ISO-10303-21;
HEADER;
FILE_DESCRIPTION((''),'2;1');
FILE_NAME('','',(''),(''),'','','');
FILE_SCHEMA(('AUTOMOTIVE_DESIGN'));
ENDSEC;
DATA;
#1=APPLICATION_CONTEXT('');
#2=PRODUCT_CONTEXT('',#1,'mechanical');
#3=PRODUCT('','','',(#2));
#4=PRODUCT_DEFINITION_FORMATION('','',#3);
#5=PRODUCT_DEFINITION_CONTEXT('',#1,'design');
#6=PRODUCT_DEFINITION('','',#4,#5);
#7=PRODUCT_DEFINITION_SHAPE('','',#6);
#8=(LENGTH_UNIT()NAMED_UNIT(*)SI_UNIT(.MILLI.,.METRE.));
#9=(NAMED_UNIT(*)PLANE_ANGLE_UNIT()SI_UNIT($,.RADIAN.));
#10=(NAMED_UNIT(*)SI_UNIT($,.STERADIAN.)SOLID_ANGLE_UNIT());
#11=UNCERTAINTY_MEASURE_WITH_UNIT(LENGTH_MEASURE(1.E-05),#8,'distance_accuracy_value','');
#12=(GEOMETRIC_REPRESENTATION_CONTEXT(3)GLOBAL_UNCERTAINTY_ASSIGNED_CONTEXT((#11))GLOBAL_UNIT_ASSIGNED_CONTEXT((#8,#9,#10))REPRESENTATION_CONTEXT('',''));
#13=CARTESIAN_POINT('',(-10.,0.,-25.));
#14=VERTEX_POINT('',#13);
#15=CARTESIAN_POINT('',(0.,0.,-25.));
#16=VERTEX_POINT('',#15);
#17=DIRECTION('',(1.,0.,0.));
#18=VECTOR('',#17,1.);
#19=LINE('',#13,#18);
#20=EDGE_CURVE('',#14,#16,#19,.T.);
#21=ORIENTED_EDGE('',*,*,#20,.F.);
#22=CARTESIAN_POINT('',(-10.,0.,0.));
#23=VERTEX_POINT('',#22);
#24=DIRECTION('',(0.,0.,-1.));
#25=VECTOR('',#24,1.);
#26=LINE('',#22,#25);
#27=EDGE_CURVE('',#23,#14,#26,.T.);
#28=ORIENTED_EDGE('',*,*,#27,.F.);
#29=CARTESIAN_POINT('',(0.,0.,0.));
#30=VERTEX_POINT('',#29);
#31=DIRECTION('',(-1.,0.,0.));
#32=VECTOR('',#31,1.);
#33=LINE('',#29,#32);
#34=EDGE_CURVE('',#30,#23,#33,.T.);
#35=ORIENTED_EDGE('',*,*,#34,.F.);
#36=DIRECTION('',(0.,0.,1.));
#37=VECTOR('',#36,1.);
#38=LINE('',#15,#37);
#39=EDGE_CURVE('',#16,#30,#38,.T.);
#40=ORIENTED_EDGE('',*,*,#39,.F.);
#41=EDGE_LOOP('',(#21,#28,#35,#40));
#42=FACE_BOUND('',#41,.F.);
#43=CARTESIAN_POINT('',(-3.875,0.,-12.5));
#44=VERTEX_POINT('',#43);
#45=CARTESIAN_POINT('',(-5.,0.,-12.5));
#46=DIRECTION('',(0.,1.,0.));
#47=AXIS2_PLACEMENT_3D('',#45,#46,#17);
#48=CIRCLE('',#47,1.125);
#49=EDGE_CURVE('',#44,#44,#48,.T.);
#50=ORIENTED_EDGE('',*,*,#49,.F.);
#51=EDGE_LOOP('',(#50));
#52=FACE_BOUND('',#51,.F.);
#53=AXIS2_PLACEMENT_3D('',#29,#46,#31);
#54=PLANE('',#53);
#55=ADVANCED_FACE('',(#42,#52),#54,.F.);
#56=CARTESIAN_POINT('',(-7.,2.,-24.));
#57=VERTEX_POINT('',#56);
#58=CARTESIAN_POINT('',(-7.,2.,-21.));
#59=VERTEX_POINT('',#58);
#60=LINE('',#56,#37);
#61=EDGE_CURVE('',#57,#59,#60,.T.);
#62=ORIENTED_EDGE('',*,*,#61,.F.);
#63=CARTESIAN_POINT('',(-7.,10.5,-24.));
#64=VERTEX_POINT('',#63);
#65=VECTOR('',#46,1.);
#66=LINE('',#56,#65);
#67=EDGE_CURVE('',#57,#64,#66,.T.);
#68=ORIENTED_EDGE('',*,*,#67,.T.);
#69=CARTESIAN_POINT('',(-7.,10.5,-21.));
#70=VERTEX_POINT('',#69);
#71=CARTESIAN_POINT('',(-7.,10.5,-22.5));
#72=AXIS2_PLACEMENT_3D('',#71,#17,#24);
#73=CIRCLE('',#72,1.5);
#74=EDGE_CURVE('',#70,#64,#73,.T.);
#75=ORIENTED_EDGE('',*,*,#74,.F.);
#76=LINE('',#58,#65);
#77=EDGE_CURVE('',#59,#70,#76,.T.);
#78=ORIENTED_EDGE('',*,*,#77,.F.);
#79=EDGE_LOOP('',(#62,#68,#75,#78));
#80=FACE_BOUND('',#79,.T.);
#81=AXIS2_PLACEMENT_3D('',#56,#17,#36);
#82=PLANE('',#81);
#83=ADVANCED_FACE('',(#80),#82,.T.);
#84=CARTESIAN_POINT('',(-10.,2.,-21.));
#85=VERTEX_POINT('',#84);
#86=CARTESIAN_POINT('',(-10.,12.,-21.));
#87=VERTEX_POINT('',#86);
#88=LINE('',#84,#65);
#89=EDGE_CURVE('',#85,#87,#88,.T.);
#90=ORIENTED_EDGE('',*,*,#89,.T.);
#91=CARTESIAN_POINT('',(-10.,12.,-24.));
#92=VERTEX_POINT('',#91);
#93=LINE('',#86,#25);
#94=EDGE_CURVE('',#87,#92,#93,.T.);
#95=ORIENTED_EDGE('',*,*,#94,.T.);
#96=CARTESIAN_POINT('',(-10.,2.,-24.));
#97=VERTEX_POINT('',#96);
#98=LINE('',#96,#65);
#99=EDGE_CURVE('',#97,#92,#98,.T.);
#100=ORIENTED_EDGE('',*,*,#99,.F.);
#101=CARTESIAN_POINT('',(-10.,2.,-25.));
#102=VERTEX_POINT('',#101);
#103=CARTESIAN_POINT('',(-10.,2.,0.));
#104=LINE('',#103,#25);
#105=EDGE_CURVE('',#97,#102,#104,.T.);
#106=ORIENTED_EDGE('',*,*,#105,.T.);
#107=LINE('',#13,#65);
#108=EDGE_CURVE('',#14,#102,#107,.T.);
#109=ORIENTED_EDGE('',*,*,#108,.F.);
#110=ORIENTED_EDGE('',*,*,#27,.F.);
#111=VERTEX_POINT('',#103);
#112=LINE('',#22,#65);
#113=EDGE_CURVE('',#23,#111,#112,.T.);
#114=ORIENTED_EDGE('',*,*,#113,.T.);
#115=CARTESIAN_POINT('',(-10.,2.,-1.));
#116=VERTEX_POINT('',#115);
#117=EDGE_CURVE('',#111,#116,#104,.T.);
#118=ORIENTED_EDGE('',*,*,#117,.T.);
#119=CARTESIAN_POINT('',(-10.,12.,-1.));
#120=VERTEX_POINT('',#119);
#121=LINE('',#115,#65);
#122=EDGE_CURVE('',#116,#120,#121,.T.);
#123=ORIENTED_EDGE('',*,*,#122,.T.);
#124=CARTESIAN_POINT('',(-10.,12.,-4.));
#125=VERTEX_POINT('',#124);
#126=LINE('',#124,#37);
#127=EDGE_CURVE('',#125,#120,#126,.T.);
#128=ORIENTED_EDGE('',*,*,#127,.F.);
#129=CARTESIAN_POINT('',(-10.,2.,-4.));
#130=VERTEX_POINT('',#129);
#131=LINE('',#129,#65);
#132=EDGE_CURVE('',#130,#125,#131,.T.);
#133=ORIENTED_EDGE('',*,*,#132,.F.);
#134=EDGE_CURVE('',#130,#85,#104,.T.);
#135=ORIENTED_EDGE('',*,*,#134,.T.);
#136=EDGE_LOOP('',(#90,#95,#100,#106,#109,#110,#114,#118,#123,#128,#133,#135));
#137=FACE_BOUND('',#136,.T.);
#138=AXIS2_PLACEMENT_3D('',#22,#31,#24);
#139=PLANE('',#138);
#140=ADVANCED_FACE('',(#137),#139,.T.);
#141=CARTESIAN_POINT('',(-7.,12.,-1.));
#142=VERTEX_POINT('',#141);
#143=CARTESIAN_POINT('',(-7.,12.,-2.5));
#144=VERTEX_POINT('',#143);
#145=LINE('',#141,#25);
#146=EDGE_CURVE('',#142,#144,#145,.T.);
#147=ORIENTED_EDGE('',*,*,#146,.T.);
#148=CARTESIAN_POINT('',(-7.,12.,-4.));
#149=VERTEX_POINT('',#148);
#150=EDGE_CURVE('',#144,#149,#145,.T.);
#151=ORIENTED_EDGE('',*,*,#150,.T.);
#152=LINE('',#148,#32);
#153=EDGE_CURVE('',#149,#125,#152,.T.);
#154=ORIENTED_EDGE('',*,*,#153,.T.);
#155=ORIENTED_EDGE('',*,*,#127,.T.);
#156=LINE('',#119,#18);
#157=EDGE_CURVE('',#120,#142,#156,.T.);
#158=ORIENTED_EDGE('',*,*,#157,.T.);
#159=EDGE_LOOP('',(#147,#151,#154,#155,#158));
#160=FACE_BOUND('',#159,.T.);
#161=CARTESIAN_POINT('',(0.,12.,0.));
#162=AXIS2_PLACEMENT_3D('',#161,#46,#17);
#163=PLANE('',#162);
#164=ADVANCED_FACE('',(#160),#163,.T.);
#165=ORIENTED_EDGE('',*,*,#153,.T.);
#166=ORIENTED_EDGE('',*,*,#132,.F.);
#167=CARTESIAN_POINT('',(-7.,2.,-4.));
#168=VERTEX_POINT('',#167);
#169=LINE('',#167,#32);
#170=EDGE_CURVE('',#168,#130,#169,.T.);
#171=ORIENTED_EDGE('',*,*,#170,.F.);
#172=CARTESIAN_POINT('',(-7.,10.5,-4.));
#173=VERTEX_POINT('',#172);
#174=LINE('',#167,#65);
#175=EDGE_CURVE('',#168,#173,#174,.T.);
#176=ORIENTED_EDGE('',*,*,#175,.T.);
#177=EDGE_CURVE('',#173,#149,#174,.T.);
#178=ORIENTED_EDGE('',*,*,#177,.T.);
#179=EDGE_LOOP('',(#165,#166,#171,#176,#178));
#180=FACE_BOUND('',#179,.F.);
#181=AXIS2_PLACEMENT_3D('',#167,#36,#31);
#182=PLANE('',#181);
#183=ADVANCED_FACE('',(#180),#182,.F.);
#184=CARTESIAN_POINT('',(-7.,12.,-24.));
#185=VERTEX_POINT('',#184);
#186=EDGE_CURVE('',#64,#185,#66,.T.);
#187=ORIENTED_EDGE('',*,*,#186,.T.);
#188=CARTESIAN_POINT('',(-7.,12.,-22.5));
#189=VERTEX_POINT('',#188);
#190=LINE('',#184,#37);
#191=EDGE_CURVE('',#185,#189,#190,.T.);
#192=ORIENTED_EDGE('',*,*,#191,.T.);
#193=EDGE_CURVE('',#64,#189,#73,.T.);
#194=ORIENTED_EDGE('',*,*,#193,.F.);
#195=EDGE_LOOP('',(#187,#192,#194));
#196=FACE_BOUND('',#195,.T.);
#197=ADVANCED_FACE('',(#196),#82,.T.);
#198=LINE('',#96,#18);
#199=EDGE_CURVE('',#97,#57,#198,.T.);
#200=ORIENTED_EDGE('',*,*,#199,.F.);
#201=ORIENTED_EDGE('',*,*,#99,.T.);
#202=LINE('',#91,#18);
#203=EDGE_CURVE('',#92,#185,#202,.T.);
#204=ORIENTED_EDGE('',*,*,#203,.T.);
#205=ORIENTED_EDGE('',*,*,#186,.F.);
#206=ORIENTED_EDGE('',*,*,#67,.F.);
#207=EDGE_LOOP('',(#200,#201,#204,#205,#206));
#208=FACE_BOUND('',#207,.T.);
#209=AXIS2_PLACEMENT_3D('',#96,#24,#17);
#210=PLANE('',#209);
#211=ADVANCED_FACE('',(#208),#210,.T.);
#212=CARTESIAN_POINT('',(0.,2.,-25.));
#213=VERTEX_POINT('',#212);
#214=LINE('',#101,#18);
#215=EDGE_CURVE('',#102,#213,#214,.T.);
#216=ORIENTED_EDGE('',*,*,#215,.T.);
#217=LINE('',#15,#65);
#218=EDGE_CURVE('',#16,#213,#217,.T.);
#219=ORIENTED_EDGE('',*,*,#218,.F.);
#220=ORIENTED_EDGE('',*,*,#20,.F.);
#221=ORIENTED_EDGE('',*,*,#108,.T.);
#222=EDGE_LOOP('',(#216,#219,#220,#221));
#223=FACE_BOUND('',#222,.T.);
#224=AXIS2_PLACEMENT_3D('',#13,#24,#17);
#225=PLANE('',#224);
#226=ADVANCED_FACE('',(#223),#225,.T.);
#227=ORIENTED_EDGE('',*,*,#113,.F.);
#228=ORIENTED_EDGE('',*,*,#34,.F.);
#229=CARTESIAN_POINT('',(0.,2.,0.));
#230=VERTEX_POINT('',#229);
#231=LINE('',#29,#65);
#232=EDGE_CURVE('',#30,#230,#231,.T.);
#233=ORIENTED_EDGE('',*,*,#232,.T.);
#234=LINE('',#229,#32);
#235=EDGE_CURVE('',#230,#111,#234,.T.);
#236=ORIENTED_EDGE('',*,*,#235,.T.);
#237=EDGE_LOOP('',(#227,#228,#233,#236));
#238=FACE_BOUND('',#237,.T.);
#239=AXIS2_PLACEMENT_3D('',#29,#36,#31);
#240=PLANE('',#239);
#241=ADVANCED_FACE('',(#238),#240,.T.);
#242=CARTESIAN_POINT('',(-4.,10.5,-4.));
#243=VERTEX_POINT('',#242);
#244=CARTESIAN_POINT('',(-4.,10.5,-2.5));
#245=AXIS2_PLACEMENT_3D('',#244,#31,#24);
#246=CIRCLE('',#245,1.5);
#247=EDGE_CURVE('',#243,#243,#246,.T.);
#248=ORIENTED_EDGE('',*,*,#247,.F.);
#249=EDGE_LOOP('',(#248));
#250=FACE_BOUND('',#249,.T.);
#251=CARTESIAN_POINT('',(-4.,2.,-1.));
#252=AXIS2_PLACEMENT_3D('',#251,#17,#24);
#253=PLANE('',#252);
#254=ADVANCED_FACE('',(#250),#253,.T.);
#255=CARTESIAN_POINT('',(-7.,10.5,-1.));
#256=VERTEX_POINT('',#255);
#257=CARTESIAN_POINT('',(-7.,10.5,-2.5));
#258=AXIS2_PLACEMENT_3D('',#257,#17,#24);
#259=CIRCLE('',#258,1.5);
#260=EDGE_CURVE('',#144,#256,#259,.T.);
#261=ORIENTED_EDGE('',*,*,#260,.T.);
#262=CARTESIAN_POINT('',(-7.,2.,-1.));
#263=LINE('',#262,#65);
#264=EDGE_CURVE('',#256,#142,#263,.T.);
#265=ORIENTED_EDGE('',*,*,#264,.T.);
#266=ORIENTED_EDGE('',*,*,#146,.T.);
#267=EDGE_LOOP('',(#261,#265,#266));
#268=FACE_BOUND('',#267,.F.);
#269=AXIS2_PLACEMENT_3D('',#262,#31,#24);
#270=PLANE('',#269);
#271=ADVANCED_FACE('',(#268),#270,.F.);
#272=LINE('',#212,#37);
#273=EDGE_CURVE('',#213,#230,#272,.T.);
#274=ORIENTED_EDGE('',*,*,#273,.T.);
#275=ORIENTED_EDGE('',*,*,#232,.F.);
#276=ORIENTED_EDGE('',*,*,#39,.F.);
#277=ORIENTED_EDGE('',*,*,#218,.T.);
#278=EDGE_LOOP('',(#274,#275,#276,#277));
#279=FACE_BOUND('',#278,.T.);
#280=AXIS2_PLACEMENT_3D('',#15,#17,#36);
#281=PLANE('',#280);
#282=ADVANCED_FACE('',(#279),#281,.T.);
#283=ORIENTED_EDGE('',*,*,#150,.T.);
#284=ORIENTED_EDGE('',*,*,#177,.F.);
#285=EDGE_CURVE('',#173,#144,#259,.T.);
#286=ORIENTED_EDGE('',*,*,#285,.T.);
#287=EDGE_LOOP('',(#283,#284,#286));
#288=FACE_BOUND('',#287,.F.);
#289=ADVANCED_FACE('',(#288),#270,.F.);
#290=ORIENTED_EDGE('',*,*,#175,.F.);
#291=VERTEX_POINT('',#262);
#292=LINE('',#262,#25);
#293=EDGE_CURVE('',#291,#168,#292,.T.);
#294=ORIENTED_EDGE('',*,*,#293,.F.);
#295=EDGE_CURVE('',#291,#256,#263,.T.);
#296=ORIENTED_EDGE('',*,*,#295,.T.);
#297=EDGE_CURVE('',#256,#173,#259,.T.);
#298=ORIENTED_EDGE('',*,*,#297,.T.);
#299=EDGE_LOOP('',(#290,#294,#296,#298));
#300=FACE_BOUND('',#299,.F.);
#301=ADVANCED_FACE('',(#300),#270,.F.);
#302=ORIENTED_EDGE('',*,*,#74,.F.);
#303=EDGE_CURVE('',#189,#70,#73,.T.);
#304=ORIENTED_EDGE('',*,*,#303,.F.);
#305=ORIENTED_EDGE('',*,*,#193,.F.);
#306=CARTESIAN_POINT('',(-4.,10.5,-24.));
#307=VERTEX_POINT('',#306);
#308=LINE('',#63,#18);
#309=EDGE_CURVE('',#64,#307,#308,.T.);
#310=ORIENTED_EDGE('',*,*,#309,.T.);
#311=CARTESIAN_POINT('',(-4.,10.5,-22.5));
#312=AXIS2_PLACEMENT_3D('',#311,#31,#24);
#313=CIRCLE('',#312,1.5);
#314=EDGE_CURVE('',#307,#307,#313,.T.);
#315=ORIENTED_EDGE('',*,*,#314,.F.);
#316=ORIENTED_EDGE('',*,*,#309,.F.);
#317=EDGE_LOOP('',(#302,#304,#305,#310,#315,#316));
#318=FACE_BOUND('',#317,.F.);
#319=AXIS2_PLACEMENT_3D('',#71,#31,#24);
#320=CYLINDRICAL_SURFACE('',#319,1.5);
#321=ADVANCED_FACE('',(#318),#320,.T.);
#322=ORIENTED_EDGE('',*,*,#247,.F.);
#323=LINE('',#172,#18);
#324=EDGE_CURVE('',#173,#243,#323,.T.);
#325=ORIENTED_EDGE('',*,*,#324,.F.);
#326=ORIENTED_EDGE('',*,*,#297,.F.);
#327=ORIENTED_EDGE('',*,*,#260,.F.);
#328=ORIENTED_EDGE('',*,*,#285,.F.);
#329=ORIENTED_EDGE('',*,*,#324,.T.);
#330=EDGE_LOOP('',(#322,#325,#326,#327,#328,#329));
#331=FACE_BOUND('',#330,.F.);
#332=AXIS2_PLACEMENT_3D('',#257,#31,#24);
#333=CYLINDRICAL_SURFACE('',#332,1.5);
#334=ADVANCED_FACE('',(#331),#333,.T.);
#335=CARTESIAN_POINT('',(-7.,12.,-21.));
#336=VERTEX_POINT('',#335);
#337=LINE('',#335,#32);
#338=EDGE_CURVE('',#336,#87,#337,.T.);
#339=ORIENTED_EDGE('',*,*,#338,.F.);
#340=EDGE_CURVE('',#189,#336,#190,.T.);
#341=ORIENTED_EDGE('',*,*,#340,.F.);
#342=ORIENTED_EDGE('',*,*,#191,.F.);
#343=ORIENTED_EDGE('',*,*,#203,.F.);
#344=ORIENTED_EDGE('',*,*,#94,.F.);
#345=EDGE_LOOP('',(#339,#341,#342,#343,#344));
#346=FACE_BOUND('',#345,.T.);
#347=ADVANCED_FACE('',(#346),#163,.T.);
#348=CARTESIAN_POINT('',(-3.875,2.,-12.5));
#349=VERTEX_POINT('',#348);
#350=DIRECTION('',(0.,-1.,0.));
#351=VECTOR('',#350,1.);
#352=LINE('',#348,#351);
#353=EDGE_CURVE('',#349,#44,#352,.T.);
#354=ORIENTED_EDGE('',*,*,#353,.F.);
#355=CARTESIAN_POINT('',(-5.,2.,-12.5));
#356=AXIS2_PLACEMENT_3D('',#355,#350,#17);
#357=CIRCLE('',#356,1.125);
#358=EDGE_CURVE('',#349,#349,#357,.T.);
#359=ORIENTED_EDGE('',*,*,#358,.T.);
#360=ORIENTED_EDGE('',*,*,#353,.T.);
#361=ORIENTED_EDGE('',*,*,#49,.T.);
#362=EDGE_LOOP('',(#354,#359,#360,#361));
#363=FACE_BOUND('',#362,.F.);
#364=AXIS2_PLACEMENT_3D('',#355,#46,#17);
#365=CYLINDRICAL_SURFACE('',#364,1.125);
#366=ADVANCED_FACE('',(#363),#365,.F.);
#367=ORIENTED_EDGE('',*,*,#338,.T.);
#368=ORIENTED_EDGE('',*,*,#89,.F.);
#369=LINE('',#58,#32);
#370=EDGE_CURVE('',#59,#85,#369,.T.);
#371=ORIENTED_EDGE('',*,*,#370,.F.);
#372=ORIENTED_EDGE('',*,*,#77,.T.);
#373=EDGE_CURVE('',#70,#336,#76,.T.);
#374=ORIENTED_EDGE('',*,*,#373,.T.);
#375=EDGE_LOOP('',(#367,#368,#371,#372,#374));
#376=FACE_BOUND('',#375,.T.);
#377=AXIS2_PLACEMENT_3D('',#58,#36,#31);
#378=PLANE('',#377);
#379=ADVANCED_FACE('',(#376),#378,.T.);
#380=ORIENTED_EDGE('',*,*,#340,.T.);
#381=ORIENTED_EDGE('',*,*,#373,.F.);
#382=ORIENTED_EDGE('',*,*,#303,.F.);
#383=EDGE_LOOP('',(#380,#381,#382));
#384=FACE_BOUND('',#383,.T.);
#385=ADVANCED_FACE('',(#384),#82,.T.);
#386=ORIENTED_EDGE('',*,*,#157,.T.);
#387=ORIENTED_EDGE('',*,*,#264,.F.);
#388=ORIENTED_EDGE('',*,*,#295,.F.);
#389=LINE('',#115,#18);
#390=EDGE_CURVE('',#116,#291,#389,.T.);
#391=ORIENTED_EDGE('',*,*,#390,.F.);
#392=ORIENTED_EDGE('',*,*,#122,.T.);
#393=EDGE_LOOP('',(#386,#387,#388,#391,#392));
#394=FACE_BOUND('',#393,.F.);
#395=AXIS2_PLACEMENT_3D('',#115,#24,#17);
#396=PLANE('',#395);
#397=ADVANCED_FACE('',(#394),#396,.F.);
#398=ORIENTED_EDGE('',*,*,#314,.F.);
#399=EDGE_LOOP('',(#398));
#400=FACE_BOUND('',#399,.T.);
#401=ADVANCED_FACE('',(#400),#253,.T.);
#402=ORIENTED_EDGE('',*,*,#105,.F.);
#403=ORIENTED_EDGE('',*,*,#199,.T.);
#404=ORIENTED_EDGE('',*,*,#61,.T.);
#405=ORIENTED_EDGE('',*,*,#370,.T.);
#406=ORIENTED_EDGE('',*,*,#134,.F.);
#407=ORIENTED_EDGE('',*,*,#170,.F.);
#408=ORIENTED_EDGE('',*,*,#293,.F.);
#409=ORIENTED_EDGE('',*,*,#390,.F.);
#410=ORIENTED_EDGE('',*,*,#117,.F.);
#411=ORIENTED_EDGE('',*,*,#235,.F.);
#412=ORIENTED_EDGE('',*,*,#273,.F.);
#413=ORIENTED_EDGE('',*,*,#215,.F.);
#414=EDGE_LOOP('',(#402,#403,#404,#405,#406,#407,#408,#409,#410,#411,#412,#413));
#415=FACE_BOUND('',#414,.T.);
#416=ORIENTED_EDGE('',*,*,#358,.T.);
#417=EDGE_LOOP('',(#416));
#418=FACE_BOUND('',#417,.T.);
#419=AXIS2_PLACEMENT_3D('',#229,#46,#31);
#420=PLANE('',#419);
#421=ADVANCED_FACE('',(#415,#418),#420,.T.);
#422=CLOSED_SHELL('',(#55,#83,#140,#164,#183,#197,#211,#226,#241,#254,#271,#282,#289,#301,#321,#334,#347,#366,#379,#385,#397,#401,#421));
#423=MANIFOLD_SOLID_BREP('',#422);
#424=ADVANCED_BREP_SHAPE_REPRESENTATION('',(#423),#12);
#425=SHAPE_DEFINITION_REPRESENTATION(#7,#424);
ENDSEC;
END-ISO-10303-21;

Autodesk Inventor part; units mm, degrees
ref_plane "YZ Plane" through (0, 0, 0) normal (1, 0, 0) x (0, 1, 0)
ref_plane "XZ Plane" through (0, 0, 0) normal (0, 1, 0) x (-1, 0, 0)
ref_plane "XY Plane" through (0, 0, 0) normal (0, 0, 1) x (1, 0, 0)
sketch "Sketch1" plane through (0, 0, 0) normal (0, 1, 0) x (-1, 0, 0)
  line L0 (0, 0) -> (10, 0)
  line L1 (10, 0) -> (10, -25)
  line L2 (10, -25) -> (0, -25)
  line L3 (0, -25) -> (0, 0)
  dimension "d0" = 10
  dimension "d1" = 25
extrude "Extrusion1" add sketch "Sketch1" along normal blind 2
sketch "Sketch2" plane through (0, 2, 0) normal (0, 1, 0) x (1, 0, 0)
  line L0 (-10, 0) -> (0, 0) projected
  line L1 (-10, 0) -> (-10, 1)
  line L2 (-10, 1) -> (-7, 1)
  line L3 (-7, 1) -> (-7, 4)
  line L4 (-7, 4) -> (-10, 4)
  line L5 (-10, 4) -> (-10, 1)
  line L6 (0, 25) -> (-10, 25) projected
  line L7 (-10, 25) -> (-10, 24)
  line L8 (-10, 24) -> (-7, 24)
  line L9 (-7, 24) -> (-7, 21)
  line L10 (-7, 21) -> (-10, 21)
  line L11 (-10, 21) -> (-10, 24)
  dimension "d4" = 1
  dimension "d5" = 3
  dimension "d6" = 3
  dimension "d7" = 1
  dimension "d8" = 3
  dimension "d9" = 3
extrude "Extrusion2" add sketch "Sketch2" along normal blind 10
sketch "Sketch3" plane through (-7, 2, -1) normal (1, 0, 0) x (0, 0, -1)
  line L0 (0, 0) -> (0, 10) projected
  line L1 (0, 10) -> (1.5, 10)
  line L2 (1.5, 10) -> (1.5, 8.5)
  line L3 (1.5, 8.5) -> (0, 8.5)
  line L4 (0, 8.5) -> (0, 10)
  line L5 (23, 10) -> (20, 10) projected
  line L6 (23, 10) -> (21.5, 10)
  line L7 (21.5, 10) -> (21.5, 8.5)
  line L8 (21.5, 8.5) -> (23, 8.5)
  line L9 (23, 8.5) -> (23, 10)
  circle A0 centre (1.5, 8.5) radius 1.5
  circle A1 centre (21.5, 8.5) radius 1.5
  point P0 (-1, -2)
  dimension "d12" = 1.5
  dimension "d13" = 1.5
  dimension "d14" = 1.5
  dimension "d15" = 1.5
  dimension "d16" = 3
  dimension "d17" = 3
extrude "Extrusion3" add sketch "Sketch3" along normal blind 3 contours A0 L2 L3 | L3 L2 A0 | A1 L8 L7 | L7 L8 A1
sketch "Sketch4" plane through (0, 2, 0) normal (0, 1, 0) x (1, 0, 0)
  line L0 (0, 0) -> (-5, 0)
  line L1 (-5, 0) -> (-5, 12.5)
  line L2 (-5, 12.5) -> (0, 12.5)
  line L3 (0, 12.5) -> (0, 0)
  circle A0 centre (-5, 12.5) radius 1.125
  dimension "d20" = 5
  dimension "d21" = 12.5
  dimension "d22" = 2.25
extrude "Extrusion4" cut sketch "Sketch4" against normal blind 2 contours A0 L2 L1 | L1 L2 A0
properties part number "LaserMountTop"
